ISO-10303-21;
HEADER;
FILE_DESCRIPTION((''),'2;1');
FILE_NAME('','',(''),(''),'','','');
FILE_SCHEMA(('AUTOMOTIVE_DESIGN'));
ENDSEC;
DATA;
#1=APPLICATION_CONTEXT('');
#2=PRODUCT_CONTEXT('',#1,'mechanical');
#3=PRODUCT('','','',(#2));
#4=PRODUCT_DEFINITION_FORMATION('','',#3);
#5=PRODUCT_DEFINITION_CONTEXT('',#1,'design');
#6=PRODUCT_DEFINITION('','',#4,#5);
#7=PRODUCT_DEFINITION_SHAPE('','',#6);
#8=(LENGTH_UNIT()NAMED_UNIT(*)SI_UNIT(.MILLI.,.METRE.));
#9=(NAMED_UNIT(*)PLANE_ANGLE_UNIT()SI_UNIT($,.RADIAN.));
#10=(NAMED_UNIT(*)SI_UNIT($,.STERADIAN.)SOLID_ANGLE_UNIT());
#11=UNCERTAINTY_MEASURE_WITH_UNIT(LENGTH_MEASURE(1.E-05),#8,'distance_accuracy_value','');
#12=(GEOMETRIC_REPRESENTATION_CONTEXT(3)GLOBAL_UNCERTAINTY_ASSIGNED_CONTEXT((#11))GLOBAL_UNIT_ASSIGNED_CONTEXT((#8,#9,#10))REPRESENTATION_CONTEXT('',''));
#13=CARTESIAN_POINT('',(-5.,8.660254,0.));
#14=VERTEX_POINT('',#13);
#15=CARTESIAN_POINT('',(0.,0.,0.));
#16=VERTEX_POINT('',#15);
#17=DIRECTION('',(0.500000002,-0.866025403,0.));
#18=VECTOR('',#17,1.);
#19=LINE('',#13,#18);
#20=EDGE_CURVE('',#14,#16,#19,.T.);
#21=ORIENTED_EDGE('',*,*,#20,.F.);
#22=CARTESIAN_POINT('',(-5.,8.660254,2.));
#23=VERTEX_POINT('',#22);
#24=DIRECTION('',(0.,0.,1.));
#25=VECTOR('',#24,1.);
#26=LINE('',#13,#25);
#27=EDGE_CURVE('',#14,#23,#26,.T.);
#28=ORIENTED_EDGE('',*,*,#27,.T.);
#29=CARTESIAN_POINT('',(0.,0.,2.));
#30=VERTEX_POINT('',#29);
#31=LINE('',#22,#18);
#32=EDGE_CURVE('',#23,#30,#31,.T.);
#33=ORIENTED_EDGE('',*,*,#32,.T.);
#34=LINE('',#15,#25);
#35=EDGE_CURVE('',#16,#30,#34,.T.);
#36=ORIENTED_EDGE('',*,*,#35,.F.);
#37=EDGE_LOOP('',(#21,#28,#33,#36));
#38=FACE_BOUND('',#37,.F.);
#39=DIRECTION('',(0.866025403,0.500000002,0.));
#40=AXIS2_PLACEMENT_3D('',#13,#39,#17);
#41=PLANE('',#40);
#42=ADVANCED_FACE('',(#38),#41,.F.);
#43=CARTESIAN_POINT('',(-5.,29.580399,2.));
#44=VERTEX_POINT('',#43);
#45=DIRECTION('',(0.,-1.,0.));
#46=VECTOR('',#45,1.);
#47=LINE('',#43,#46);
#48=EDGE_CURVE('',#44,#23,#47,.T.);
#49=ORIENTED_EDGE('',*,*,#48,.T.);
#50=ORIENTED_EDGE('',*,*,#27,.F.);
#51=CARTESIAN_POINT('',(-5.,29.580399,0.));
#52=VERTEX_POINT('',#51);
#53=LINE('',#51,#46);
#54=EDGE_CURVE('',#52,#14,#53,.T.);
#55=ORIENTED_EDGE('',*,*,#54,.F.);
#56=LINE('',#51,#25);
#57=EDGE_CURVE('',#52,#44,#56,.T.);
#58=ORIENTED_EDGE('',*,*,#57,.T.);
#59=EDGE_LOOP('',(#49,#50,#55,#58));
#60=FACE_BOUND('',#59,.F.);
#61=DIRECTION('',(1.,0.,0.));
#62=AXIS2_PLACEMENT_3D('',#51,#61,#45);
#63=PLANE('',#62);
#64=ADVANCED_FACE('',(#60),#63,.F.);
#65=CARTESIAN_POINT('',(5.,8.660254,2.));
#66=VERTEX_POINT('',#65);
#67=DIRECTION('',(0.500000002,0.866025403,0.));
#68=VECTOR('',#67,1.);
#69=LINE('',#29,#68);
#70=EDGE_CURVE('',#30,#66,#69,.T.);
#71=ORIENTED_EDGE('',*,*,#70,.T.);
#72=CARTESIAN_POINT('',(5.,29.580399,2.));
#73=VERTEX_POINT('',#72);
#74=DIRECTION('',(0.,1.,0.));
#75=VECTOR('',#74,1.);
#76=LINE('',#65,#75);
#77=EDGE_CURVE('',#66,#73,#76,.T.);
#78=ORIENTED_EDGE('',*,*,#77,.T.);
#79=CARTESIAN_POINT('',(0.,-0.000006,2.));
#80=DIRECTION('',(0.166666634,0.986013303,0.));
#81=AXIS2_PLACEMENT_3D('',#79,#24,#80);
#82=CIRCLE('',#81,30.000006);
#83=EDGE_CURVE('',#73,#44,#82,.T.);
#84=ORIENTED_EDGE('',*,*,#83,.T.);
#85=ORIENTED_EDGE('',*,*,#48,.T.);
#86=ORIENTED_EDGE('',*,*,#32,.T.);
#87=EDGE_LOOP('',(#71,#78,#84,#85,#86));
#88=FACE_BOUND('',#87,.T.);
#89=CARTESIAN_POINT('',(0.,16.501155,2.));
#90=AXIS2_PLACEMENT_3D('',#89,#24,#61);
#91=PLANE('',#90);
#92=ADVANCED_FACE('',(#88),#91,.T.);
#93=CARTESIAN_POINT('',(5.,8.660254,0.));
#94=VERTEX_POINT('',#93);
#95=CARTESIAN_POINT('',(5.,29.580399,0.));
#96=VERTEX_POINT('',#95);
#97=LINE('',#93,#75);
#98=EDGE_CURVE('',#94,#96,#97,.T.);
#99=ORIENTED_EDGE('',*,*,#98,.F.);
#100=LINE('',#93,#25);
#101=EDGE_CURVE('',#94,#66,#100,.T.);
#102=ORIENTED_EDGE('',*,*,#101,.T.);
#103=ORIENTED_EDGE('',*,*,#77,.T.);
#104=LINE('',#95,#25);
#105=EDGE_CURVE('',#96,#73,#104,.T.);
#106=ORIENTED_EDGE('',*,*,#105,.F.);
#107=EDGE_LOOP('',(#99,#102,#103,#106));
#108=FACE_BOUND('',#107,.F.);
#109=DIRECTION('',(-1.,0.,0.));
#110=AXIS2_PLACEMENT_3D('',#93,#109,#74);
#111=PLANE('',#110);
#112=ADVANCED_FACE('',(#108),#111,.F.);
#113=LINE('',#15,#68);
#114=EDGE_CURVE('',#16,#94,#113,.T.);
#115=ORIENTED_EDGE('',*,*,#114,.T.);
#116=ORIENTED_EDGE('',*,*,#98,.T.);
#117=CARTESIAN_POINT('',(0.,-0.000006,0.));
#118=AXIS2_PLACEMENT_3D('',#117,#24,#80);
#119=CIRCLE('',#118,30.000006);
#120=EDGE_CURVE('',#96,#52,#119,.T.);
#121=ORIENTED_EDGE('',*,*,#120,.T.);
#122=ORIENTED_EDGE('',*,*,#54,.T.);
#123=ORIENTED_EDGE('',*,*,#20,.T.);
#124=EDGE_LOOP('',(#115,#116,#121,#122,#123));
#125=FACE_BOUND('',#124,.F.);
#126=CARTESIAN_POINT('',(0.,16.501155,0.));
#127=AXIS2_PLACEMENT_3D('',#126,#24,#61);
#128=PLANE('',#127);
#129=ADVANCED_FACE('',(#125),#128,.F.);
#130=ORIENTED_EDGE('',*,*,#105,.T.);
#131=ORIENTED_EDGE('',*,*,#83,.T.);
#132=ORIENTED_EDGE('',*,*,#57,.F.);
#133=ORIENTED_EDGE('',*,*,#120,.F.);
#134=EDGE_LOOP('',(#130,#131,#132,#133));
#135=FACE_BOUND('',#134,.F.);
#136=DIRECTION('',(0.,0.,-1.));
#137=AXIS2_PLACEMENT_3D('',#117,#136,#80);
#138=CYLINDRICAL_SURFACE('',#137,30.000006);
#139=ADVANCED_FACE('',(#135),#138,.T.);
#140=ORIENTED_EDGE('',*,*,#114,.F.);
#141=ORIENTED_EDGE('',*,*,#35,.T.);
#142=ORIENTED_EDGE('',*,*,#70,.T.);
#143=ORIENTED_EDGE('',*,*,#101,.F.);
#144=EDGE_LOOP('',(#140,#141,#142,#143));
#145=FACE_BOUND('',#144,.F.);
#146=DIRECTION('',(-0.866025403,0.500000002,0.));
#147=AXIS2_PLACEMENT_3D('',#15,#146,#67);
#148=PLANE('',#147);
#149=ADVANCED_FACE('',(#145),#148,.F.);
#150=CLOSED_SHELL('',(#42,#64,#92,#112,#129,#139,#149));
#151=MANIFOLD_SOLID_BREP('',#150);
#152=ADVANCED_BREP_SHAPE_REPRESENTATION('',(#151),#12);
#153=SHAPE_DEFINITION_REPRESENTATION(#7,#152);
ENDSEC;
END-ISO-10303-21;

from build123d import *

# Parameters (mm, degrees)
F1_DEPTH = 2


with BuildPart() as f1:
    # F0 (on Top) → F1 (new body)
    with BuildSketch(Plane.XY):
        with BuildLine():
            Line((5, 8.660254), (5, 29.580399))
            ThreePointArc((5, 29.580399), (0, 30), (-5, 29.580399))
            Line((-5, 29.580399), (-5, 8.660254))
            Line((-5, 8.660254), (0, 0))
            Line((0, 0), (5, 8.660254))
        make_face()
    extrude(amount=F1_DEPTH)


solid = f1.part
